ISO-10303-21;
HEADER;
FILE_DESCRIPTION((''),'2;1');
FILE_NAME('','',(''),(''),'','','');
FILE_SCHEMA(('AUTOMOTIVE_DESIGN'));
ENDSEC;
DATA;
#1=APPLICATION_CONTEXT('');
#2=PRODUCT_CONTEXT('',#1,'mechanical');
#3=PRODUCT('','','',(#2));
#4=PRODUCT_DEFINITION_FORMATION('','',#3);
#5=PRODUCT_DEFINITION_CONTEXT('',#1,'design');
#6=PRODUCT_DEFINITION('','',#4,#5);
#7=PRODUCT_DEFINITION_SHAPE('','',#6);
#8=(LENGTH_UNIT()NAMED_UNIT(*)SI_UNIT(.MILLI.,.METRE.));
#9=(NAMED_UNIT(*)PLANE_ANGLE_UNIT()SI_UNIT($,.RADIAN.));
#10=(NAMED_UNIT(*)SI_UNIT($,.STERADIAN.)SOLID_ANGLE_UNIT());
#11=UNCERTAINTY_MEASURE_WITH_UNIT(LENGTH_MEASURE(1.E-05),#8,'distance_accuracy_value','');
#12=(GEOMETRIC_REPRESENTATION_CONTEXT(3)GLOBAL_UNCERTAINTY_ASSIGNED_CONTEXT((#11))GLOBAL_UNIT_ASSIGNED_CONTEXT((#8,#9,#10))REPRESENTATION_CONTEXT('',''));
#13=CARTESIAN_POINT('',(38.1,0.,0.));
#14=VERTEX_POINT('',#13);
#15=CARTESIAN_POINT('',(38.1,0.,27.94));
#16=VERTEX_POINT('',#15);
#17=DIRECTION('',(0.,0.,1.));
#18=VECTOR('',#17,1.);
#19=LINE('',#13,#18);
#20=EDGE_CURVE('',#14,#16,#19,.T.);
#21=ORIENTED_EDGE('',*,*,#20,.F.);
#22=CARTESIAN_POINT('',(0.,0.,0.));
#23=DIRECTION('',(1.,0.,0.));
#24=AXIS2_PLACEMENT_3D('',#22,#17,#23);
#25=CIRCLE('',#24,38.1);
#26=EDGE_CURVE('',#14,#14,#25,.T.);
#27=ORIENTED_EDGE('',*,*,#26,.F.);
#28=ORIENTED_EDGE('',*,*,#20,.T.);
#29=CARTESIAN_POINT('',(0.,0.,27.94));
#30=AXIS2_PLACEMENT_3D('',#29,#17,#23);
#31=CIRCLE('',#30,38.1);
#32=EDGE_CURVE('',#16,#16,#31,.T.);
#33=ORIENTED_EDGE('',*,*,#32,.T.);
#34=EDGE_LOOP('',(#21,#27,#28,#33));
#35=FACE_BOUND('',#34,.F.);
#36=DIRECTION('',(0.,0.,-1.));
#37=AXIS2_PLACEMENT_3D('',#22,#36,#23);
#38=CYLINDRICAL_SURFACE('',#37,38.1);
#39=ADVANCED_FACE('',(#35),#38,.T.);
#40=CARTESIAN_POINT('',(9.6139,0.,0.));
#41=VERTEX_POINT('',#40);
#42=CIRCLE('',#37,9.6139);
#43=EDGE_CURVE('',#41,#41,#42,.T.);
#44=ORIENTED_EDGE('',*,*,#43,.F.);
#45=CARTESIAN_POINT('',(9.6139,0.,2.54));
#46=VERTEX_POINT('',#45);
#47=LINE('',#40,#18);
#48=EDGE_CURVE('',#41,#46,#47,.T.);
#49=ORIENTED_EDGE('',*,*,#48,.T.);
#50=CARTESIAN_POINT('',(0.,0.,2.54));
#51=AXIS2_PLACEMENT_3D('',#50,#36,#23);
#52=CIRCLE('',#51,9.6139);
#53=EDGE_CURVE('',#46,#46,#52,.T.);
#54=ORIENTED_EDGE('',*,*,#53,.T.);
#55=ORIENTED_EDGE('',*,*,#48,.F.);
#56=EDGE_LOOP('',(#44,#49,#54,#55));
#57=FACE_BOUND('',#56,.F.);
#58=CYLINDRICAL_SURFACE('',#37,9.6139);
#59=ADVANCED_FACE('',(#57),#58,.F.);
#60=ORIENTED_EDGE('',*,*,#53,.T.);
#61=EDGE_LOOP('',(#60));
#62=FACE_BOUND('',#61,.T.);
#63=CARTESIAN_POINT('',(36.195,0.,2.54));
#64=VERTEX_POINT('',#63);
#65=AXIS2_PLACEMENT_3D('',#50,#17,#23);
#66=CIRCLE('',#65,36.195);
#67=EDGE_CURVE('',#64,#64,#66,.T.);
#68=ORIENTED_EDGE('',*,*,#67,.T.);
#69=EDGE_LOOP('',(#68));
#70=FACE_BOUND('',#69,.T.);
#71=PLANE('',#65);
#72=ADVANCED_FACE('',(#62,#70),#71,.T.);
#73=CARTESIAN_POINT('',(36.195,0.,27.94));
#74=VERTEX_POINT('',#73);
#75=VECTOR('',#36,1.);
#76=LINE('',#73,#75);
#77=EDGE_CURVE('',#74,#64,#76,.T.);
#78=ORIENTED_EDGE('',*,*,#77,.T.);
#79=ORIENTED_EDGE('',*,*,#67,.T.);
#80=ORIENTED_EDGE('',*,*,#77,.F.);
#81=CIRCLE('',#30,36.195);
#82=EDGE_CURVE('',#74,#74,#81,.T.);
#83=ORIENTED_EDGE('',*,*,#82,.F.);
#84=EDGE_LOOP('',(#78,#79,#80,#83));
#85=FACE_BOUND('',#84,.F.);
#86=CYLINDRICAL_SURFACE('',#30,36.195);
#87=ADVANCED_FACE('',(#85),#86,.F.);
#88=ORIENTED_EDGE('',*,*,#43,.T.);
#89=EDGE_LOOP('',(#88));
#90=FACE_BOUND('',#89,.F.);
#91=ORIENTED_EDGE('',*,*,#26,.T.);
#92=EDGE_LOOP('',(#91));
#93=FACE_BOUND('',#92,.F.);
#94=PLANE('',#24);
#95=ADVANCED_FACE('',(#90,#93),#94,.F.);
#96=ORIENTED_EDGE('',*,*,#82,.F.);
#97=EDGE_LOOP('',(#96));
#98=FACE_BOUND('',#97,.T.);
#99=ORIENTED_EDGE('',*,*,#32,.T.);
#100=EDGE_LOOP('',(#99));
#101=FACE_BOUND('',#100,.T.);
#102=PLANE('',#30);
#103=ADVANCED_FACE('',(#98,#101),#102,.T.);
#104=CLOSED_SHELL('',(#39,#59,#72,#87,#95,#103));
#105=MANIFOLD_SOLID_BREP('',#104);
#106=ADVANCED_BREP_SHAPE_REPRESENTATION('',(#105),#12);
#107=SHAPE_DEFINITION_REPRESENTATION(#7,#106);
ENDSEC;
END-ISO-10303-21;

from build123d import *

# Parameters (mm, degrees)
SKETCH085_R     = 38.1
PAD038_DEPTH    = 27.94
SKETCH006_R     = 36.195
POCKET003_DEPTH = 25.4
SKETCH086_R     = 9.6139
POCKET037_DEPTH = 27.941


with BuildPart() as part:
    # Sketch085 → Pad038 (new body)
    with BuildSketch(Plane.XY):
        Circle(SKETCH085_R)
    extrude(amount=PAD038_DEPTH)

    # Sketch006 (on Face3 of Pad038) → Pocket003 (cut)
    with BuildSketch(Plane.XY.offset(27.94)):
        Circle(SKETCH006_R)
    extrude(amount=-POCKET003_DEPTH, mode=Mode.SUBTRACT)

    # Sketch086 (on Face2 of Pocket003) → Pocket037 (cut, through all)
    with BuildSketch(Plane(origin=(0, 0, 0), x_dir=(1, 0, 0), z_dir=(0, 0, -1))):
        Circle(SKETCH086_R)
    extrude(amount=-POCKET037_DEPTH, mode=Mode.SUBTRACT)


solid = part.part
